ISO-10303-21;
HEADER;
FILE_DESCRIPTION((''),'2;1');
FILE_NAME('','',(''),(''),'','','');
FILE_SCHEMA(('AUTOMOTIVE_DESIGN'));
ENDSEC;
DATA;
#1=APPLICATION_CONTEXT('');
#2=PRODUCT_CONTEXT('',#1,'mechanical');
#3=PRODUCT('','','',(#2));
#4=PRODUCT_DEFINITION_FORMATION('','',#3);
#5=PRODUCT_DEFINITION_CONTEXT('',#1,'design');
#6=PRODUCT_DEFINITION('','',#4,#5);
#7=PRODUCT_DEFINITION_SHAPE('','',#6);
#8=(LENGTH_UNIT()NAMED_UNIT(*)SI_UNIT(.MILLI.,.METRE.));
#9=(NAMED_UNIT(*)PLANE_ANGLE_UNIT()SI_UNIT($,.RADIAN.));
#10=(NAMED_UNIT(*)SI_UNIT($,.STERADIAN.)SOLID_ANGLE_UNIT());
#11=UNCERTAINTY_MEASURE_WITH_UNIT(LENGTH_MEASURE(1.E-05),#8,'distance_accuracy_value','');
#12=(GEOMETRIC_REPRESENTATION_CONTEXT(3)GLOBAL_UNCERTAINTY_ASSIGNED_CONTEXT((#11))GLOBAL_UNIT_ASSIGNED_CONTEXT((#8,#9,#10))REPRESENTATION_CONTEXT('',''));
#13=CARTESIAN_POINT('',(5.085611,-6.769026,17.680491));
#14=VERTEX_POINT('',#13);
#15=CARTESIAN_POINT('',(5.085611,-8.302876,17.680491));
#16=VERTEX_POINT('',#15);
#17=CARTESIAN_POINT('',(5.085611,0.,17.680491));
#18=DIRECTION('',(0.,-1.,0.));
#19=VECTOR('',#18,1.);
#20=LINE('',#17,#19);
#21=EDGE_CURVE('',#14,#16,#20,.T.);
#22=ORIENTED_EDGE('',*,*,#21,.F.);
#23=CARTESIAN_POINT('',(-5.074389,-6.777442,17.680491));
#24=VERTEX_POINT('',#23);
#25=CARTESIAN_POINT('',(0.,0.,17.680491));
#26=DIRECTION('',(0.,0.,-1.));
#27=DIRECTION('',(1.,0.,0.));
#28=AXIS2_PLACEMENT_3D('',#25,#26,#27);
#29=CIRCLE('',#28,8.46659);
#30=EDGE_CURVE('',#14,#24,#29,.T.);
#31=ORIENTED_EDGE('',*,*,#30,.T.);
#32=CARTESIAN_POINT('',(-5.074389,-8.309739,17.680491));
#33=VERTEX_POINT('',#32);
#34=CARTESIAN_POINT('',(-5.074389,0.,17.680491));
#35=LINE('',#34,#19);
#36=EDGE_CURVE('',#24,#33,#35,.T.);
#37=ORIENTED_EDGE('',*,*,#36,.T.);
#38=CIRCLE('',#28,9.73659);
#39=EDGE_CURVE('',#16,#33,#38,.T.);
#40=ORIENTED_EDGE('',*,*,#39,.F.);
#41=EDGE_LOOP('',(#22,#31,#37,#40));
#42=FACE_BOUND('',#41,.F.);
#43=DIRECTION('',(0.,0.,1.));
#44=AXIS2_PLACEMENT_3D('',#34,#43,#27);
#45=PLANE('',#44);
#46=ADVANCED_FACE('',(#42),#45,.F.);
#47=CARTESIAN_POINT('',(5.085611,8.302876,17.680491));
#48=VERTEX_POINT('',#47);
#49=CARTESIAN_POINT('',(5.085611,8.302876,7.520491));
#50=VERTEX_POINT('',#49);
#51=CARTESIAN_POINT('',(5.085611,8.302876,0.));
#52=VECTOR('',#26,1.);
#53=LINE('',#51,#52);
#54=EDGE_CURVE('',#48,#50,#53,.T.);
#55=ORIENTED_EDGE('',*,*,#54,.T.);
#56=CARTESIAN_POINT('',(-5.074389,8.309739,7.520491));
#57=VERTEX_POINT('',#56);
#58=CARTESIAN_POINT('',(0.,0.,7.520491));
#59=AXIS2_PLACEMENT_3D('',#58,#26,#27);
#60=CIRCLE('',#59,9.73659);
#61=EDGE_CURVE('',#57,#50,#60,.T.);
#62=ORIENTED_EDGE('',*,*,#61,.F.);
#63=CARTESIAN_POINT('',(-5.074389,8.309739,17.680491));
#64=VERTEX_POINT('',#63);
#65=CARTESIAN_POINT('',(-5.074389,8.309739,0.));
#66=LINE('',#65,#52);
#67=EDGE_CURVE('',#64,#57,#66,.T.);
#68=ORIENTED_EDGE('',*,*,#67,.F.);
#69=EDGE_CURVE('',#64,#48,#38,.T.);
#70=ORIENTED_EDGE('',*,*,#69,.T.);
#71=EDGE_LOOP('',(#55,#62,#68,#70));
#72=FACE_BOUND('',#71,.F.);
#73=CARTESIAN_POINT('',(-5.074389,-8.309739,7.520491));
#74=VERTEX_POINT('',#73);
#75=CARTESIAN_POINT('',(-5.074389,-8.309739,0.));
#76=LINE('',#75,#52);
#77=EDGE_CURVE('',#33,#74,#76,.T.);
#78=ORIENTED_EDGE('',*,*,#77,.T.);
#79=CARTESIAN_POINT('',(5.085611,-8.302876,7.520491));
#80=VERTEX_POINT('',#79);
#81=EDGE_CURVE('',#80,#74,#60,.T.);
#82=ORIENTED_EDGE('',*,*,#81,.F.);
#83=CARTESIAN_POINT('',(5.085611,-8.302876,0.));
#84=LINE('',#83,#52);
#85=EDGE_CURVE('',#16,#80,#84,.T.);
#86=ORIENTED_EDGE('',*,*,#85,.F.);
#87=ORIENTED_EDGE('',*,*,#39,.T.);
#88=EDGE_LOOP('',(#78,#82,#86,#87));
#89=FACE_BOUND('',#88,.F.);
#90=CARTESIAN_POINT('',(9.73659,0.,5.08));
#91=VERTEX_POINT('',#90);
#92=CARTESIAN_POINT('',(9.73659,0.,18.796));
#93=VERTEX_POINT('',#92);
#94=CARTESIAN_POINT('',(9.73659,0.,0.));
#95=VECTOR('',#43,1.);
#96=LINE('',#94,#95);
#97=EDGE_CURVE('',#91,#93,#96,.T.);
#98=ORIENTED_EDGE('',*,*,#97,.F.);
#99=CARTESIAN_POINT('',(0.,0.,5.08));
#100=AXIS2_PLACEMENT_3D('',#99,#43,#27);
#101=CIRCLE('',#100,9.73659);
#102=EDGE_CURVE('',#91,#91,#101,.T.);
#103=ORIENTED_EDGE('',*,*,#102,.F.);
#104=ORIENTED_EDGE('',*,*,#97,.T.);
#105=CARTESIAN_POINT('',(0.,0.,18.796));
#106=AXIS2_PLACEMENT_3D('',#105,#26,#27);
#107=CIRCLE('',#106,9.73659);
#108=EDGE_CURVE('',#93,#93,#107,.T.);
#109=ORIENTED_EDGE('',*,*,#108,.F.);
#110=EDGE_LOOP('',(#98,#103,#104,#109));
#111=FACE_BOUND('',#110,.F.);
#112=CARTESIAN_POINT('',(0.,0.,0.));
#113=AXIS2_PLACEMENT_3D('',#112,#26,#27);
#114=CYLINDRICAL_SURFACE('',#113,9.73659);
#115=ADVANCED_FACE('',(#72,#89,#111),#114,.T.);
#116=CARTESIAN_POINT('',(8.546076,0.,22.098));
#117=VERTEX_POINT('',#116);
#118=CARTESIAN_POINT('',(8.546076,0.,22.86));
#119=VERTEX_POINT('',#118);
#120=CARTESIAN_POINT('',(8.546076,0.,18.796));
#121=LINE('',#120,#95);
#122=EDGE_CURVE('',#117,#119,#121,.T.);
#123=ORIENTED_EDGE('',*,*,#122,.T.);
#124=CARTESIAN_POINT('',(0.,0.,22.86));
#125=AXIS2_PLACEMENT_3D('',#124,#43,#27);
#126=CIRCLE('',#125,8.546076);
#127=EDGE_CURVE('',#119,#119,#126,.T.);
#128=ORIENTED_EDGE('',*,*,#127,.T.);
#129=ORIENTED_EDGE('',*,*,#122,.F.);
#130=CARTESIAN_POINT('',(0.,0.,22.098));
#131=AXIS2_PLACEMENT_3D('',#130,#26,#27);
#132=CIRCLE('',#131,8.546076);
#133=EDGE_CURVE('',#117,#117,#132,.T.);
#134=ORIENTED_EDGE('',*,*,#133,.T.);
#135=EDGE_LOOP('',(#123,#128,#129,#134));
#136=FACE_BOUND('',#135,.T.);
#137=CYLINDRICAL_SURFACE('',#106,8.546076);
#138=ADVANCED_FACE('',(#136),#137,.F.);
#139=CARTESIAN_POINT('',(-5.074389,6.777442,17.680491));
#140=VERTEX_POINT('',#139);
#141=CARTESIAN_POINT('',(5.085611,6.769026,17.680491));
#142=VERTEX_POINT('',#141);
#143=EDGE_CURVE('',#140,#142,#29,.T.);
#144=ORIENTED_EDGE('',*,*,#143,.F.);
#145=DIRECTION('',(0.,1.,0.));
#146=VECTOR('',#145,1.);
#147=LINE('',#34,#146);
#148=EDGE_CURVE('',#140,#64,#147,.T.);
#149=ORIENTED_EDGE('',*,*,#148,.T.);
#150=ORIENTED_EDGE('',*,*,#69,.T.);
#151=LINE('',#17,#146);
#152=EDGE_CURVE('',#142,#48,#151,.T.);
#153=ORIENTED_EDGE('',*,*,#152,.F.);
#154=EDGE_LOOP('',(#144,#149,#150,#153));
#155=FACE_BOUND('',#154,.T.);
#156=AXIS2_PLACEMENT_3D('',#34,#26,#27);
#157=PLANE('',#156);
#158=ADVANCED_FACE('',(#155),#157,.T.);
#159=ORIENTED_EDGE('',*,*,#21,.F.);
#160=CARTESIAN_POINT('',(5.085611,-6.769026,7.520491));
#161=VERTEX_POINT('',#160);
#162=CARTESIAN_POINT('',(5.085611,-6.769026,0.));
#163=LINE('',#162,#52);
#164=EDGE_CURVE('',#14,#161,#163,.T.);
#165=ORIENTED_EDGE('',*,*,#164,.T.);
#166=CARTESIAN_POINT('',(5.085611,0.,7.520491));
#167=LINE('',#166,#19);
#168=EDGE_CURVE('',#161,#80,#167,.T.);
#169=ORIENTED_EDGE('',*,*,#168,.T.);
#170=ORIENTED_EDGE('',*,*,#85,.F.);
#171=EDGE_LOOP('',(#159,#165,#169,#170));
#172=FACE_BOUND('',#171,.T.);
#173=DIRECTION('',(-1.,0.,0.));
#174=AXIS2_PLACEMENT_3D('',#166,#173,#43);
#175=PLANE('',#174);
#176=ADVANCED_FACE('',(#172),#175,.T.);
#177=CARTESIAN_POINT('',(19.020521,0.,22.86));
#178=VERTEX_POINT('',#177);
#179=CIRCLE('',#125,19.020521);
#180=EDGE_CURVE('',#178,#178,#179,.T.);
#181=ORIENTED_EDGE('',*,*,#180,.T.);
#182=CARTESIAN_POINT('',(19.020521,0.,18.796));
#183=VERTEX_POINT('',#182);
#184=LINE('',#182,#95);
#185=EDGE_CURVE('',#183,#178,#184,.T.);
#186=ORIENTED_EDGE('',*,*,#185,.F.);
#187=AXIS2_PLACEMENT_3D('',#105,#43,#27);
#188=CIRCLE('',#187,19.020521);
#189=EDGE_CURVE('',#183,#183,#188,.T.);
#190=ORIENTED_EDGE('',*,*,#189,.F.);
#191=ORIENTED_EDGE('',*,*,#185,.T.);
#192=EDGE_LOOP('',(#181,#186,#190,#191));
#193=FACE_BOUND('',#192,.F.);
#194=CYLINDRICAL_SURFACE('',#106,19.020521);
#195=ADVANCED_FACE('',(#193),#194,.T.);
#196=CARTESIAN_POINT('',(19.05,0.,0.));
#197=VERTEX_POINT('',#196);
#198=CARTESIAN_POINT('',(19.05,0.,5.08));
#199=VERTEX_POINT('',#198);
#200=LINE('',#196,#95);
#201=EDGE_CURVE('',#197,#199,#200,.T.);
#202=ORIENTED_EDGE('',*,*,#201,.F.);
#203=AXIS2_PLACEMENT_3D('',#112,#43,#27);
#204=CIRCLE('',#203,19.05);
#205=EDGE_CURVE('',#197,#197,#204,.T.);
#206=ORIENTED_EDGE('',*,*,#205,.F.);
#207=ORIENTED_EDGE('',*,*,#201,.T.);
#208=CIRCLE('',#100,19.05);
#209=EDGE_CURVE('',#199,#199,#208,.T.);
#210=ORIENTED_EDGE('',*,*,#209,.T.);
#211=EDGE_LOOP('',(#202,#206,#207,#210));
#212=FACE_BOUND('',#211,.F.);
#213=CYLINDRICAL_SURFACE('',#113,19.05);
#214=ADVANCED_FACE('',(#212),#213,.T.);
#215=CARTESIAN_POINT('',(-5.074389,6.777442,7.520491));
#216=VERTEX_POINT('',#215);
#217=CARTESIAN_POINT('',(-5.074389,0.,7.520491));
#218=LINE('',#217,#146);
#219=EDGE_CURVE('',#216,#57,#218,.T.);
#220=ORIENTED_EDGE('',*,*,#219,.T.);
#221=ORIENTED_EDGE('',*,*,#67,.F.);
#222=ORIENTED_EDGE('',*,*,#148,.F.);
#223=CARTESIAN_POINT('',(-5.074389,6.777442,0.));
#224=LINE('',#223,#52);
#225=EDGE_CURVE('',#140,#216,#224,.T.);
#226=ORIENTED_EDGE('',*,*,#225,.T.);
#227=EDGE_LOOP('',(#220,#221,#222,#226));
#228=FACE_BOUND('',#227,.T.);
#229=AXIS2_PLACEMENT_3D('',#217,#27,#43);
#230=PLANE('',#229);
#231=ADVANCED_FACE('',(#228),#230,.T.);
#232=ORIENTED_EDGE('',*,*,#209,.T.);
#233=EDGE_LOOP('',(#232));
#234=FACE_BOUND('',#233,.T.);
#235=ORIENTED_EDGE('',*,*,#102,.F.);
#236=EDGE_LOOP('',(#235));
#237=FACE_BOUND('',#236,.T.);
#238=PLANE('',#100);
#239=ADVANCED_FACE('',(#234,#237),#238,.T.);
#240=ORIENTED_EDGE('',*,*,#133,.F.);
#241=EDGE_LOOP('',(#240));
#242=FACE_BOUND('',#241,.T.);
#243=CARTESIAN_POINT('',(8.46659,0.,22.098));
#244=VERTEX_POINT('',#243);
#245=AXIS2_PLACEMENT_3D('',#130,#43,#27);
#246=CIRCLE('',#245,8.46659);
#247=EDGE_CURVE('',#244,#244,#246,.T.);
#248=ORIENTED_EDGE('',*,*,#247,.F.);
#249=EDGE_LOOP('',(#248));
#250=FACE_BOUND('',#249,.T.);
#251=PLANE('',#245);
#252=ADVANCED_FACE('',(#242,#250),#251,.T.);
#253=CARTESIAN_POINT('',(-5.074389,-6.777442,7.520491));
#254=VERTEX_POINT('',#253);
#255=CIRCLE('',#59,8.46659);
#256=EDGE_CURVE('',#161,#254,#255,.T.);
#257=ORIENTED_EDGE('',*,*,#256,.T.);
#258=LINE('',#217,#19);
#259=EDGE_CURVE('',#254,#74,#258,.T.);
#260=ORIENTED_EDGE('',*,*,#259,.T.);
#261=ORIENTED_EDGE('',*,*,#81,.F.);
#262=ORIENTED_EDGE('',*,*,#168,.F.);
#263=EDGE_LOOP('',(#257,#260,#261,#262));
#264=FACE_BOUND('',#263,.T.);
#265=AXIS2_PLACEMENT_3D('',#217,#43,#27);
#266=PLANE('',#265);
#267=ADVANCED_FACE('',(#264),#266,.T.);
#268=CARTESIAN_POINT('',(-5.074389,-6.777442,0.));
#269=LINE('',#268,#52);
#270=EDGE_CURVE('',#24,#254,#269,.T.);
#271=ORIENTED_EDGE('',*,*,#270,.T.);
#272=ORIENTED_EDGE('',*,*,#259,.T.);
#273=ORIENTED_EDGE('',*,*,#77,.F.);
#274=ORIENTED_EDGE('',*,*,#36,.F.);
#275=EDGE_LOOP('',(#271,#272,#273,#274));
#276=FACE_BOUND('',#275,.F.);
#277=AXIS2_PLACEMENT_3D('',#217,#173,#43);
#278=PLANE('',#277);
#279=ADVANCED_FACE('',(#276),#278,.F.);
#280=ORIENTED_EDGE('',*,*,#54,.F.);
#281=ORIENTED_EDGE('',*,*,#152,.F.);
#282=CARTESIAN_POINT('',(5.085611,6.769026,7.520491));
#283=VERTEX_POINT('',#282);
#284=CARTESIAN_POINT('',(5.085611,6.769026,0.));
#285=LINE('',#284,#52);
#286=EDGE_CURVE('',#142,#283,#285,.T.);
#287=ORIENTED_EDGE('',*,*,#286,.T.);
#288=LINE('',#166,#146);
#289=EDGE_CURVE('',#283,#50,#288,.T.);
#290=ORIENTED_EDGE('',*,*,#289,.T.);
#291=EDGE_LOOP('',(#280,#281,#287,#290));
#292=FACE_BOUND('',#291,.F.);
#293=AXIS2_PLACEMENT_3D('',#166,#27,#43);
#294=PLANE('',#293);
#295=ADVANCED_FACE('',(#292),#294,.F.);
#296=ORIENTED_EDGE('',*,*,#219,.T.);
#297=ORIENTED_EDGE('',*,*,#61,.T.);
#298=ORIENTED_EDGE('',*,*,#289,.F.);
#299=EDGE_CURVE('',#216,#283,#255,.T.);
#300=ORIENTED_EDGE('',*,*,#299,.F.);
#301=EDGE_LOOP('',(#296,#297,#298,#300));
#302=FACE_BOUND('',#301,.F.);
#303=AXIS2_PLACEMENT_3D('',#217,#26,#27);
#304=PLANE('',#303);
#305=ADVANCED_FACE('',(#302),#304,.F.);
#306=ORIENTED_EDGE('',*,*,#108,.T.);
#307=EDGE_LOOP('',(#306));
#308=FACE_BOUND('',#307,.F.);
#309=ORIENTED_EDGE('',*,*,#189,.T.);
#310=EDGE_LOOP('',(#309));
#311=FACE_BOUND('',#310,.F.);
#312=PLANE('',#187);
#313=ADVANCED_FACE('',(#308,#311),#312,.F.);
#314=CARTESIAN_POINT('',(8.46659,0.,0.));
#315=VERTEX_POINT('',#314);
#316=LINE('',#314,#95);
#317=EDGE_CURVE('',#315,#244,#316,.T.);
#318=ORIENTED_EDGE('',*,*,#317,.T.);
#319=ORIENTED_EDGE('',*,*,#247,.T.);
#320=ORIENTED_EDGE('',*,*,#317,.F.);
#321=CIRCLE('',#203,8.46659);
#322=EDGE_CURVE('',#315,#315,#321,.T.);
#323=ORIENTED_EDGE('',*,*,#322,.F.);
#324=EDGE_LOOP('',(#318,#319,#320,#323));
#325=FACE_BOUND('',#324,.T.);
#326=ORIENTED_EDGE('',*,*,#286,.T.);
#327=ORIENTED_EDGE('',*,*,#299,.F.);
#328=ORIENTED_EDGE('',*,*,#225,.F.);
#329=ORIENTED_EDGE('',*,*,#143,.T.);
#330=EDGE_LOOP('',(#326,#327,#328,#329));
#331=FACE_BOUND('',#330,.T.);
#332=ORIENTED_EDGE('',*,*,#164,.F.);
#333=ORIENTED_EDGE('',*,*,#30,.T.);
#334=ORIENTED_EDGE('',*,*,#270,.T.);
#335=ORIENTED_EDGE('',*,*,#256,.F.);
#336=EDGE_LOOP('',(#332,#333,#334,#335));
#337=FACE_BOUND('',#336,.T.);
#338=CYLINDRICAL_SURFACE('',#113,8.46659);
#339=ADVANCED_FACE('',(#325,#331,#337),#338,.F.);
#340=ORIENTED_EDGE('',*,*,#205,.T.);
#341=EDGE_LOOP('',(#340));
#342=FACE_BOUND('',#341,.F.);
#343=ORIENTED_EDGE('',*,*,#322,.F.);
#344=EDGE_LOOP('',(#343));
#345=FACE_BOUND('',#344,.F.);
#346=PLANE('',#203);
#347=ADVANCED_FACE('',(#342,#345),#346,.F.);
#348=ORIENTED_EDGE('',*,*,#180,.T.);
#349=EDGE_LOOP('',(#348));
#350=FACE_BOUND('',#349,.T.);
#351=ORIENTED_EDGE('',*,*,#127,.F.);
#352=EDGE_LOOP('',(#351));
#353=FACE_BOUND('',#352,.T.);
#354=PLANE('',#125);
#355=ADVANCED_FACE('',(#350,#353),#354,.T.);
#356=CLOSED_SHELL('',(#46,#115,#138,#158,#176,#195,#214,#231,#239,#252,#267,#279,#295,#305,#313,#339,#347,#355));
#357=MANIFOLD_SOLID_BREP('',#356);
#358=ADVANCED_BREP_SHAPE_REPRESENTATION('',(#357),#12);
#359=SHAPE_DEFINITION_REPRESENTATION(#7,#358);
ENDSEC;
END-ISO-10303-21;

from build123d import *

# Parameters (mm, degrees)
F0_R          = 19.05
F0_R_2        = 9.7365901145
F1_DEPTH      = 5.08
F0_R_3        = 8.4665901145
F2_DEPTH      = 22.098
F4_START      = 18.796
F3_R          = 19.0205211377
F3_R_2        = 8.5460755938
F4_DEPTH      = 4.064
F5_W          = 10.16
F5_H          = 10.16
F6_DEPTH      = 13.716
F6_DEPTH_BACK = 12.446


with BuildPart() as f1:
    # F0 (on Top) → F1 (new body)
    with BuildSketch(Plane.XY):
        Circle(F0_R)
        Circle(F0_R_2, mode=Mode.SUBTRACT)
    extrude(amount=F1_DEPTH)

    # F0 (on Top) → F2 (join)
    with BuildSketch(Plane.XY):
        Circle(F0_R_2)
        Circle(F0_R_3, mode=Mode.SUBTRACT)
    extrude(amount=F2_DEPTH)

    # F3 (on Top) → F4 (join)
    with BuildSketch(Plane.XY.offset(F4_START)):
        Circle(F3_R)
        Circle(F3_R_2, mode=Mode.SUBTRACT)
    extrude(amount=F4_DEPTH)

    # F5 (on Front) → F6 (cut, two sides)
    with BuildSketch(Plane.XZ) as f6_sk:
        with Locations((0.0056111868, 12.6004907916)):
            Rectangle(F5_W, F5_H)
    extrude(amount=-F6_DEPTH, mode=Mode.SUBTRACT)
    extrude(f6_sk.sketch, amount=F6_DEPTH_BACK, mode=Mode.SUBTRACT)


solid = f1.part
